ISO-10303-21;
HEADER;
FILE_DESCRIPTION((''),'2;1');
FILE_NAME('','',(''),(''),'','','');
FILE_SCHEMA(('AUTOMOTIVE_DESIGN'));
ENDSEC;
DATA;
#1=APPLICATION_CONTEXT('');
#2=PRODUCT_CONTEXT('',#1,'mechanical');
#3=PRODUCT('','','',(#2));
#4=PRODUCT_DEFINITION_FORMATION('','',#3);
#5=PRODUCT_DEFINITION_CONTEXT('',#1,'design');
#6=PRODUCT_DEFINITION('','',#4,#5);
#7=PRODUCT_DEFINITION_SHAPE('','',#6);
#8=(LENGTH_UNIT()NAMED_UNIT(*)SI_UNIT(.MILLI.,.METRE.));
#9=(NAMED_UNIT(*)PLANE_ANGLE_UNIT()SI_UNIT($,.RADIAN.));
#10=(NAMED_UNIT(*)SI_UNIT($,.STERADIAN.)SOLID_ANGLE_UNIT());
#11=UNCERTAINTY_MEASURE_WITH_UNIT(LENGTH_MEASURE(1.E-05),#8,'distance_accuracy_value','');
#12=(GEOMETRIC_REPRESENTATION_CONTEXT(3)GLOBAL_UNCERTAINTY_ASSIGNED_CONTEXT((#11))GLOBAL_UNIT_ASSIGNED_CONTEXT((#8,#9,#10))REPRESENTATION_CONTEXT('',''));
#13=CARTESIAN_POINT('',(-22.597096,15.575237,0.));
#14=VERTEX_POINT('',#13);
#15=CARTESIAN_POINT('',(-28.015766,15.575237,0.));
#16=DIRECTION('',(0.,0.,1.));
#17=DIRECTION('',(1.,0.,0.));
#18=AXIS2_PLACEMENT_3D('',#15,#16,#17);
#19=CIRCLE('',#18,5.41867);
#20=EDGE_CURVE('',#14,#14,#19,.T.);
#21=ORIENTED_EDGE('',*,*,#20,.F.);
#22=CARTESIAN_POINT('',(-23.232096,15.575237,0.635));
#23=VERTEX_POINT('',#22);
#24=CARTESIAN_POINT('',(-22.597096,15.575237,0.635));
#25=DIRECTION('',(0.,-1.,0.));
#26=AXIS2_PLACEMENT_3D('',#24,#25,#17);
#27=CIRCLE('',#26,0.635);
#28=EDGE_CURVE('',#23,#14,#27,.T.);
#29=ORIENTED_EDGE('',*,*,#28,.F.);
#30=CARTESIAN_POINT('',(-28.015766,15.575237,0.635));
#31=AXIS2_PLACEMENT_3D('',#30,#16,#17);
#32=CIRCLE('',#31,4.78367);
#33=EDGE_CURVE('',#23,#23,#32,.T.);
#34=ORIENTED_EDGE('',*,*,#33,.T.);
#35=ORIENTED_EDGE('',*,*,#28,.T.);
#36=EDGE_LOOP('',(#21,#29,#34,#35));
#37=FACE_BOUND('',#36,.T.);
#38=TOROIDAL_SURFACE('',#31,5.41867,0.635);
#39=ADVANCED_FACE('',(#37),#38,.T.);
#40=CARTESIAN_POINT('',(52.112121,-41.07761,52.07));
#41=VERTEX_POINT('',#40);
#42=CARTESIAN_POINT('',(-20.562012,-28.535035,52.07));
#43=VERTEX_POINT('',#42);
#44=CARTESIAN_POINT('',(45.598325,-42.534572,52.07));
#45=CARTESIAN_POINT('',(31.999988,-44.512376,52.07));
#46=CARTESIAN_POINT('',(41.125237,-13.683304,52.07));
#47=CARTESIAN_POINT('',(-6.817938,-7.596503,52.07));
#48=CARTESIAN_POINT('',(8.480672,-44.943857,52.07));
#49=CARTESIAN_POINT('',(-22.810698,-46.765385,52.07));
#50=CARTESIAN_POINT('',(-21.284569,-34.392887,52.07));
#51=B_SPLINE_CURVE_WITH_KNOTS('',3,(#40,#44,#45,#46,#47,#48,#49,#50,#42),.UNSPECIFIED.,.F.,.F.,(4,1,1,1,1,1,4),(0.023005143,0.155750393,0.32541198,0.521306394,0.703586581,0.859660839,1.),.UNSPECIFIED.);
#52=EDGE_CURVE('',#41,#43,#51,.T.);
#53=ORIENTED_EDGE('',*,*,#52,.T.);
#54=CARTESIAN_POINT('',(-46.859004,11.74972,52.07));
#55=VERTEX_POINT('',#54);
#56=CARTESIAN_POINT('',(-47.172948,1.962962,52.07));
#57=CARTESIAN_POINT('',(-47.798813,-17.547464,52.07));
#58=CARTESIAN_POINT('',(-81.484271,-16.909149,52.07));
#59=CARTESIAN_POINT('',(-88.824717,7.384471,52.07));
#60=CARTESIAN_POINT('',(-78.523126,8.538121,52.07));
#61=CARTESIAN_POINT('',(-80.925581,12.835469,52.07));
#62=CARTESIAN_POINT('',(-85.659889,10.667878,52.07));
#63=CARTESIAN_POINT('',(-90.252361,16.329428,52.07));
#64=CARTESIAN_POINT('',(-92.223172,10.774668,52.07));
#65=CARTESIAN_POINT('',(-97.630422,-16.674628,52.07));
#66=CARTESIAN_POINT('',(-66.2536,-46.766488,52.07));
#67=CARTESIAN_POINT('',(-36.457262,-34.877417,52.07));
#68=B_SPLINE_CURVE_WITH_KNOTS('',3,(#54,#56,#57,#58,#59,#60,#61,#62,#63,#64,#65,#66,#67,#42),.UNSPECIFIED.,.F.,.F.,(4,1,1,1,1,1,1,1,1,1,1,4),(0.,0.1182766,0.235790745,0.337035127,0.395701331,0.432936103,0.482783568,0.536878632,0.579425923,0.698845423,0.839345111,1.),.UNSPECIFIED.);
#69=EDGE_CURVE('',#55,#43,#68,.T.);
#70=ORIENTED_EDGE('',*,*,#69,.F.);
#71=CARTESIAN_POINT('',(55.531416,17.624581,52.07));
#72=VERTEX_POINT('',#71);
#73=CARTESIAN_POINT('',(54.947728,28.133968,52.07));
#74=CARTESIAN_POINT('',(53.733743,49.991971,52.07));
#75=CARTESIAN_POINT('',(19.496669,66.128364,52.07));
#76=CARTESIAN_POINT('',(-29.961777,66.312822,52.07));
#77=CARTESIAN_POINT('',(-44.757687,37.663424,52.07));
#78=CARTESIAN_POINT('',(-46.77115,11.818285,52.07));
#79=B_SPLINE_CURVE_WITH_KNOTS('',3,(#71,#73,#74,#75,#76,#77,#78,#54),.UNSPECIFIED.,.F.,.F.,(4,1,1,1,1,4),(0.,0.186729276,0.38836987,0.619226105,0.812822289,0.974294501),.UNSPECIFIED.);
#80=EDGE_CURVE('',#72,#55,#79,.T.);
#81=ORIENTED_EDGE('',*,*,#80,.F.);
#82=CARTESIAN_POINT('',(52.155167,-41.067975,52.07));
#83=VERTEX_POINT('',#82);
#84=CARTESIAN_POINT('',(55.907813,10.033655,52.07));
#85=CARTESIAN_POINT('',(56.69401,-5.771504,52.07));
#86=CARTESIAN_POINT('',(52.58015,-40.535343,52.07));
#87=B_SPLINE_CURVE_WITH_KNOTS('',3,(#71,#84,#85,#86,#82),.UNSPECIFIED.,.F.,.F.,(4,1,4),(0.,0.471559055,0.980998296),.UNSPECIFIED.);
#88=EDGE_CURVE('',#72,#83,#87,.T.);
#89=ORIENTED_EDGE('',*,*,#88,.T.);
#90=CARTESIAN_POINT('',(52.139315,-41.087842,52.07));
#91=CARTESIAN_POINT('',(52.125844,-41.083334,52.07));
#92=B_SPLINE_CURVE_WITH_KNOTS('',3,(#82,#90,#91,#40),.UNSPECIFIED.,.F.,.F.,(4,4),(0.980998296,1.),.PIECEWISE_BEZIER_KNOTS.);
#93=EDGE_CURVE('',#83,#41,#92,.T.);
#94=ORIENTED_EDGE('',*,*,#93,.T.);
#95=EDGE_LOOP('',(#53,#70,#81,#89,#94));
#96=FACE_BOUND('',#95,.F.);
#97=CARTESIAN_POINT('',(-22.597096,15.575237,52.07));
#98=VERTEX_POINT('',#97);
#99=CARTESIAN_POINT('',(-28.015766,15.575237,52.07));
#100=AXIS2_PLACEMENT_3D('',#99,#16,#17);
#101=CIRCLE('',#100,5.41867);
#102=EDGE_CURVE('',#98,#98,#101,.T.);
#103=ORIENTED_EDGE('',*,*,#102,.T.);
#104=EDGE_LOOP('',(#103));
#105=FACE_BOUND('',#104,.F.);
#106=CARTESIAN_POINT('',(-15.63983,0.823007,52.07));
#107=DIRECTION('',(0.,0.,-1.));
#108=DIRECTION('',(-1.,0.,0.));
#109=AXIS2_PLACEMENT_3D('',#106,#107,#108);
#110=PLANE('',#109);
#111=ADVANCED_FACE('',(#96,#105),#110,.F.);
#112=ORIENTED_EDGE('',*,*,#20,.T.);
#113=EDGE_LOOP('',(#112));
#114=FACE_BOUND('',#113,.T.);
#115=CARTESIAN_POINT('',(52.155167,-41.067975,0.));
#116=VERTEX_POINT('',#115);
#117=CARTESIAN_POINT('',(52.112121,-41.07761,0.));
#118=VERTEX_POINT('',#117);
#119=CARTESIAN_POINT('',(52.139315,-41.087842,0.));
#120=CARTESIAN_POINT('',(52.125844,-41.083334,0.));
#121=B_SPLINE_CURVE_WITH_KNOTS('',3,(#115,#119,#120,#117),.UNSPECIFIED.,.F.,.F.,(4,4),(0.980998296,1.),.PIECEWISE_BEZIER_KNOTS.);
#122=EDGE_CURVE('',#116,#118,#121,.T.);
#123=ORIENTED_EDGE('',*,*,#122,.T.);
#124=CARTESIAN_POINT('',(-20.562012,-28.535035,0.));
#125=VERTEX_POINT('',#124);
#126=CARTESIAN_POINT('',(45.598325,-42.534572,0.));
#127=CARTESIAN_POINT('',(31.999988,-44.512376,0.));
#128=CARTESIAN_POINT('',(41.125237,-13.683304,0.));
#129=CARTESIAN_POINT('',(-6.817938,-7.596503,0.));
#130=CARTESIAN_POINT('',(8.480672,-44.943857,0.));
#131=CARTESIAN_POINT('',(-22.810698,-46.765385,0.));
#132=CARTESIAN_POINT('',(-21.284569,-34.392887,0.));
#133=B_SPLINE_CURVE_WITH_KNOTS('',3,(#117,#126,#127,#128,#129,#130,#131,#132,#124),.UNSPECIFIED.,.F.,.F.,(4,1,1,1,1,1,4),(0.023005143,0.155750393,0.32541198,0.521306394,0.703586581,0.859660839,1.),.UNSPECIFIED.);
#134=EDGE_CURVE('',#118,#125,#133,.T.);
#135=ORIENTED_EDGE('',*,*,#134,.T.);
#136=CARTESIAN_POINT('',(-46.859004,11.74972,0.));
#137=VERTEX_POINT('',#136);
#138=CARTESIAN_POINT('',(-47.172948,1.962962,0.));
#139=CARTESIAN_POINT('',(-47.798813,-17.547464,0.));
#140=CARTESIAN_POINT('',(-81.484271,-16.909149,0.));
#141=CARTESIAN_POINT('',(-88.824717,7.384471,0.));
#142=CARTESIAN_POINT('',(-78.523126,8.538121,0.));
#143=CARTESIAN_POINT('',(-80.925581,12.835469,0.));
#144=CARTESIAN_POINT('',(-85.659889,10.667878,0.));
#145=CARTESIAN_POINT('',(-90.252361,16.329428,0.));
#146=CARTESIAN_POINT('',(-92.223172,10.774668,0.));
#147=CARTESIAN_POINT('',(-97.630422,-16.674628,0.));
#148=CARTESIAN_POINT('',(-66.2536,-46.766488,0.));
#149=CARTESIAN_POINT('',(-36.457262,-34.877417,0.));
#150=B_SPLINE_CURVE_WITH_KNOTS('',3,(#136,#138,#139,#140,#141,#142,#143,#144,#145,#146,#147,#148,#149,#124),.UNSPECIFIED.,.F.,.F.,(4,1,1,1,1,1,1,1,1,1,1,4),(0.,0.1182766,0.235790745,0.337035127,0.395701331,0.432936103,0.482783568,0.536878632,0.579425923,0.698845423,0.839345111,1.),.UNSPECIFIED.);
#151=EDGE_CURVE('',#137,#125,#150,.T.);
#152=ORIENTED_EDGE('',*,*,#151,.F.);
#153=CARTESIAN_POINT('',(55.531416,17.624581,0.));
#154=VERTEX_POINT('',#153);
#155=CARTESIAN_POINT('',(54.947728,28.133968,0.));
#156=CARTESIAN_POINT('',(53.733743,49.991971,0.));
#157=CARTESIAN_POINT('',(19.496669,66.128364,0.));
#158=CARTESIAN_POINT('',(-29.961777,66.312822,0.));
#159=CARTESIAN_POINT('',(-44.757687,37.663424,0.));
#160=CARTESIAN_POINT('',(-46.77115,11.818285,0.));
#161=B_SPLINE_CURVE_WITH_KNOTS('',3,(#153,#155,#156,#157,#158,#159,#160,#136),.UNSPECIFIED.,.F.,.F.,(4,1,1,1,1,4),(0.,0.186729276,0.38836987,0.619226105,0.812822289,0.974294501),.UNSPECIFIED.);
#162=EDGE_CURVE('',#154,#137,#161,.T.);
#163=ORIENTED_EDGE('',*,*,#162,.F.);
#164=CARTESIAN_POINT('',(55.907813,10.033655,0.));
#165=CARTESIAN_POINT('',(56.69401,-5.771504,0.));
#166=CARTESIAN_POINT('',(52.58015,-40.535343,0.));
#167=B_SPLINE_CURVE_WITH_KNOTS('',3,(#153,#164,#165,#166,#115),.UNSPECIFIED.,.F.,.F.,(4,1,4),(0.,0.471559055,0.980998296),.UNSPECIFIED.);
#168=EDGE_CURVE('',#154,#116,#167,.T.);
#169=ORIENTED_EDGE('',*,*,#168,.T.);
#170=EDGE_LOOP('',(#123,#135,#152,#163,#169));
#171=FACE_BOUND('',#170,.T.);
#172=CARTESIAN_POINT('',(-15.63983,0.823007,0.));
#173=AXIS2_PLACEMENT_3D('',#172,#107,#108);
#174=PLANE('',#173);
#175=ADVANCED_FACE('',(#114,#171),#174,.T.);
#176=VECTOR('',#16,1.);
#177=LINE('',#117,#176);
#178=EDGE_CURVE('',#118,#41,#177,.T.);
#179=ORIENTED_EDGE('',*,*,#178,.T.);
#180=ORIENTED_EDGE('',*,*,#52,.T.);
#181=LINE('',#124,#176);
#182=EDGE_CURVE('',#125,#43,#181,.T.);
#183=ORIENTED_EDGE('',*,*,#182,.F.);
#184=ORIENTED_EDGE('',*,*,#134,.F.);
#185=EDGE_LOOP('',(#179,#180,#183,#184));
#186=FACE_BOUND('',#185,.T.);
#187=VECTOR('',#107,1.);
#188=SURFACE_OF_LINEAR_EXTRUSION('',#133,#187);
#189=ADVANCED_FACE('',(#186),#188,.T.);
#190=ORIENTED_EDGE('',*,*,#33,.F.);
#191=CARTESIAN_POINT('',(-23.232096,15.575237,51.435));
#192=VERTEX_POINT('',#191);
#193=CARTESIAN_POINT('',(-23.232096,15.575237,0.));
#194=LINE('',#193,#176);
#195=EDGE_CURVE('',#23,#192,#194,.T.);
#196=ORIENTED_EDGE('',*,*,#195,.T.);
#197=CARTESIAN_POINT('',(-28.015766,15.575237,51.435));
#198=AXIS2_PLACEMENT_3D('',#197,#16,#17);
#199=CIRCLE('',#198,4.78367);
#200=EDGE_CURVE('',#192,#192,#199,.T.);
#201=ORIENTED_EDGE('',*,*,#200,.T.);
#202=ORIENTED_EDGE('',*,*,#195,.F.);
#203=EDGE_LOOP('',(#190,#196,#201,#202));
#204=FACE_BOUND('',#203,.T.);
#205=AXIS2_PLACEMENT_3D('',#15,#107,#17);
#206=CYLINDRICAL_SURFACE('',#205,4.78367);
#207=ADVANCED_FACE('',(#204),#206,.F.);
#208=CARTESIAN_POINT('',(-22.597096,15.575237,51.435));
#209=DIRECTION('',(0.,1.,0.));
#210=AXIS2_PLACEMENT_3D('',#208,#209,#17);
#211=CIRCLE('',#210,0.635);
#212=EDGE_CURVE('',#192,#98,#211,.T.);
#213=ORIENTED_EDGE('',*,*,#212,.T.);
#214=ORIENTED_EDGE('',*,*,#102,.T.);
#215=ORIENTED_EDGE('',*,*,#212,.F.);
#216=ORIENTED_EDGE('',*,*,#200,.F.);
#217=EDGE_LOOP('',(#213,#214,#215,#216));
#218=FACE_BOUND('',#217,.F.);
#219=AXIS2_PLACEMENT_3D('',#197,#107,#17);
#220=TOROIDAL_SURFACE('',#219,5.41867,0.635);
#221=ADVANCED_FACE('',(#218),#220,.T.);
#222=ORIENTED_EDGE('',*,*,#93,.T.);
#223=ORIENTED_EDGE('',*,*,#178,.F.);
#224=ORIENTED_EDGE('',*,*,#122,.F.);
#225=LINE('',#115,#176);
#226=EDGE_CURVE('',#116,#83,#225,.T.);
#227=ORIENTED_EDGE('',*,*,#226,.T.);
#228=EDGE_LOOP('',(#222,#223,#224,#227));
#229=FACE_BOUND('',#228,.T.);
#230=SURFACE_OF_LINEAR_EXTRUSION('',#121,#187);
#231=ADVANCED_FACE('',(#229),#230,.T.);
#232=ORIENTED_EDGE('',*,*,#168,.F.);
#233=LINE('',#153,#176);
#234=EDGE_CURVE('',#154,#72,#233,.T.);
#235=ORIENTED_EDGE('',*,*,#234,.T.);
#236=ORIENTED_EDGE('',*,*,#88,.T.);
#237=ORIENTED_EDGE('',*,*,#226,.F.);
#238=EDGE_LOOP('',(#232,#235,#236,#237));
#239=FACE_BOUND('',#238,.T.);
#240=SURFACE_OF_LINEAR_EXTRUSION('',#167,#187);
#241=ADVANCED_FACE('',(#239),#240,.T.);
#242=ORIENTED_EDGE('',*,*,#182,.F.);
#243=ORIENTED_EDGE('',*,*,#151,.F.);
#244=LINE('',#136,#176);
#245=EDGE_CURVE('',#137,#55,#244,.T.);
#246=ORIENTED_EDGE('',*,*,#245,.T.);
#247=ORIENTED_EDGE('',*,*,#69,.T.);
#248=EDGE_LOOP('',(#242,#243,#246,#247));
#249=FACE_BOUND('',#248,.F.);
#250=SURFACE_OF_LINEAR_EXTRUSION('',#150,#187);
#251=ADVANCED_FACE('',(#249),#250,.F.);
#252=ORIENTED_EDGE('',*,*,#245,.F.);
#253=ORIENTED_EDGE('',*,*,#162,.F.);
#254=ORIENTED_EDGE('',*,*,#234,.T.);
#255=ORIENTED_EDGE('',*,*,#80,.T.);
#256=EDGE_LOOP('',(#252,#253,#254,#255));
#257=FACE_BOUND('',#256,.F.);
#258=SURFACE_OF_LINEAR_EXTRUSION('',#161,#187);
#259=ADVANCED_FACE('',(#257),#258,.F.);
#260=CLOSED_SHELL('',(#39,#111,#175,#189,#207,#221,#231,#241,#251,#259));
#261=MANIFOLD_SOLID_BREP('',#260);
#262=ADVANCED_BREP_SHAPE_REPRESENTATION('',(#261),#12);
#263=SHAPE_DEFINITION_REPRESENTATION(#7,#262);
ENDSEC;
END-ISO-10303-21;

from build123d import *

# Parameters (mm, degrees)
F0_R     = 4.7836700686
F1_DEPTH = 52.07
F2_R     = 0.635
F3_R     = 0.635


with BuildPart() as f1:
    # F0 (on Top) → F1 (new body)
    with BuildSketch(Plane.XY):
        with BuildLine():
            add(Edge.make_bspline(
                [(55.5314160883, 17.6245812327), (55.9078130476, 10.0336554724), (56.6940095504, -5.7715039223), (52.5801501701, -40.5353430605), (52.1551666591, -41.0679753225)],
                knots=[0, 0, 0, 0, 0.4715590555, 0.9809982964, 0.9809982964, 0.9809982964, 0.9809982964], degree=3))
            add(Edge.make_bspline(
                [(55.5314160883, 17.6245812327), (54.9477284591, 28.1339677429), (53.7337426594, 49.9919708037), (19.4966685182, 66.1283638755), (-29.9617766147, 66.3128223316), (-44.7576870916, 37.6634235774), (-46.7711498532, 11.8182849665), (-46.8590036035, 11.7497202009)],
                knots=[0, 0, 0, 0, 0.1867292755, 0.3883698702, 0.6192261051, 0.8128222893, 0.974294501, 0.974294501, 0.974294501, 0.974294501], degree=3))
            add(Edge.make_bspline(
                [(-46.8590036035, 11.7497202009), (-47.1729478823, 1.9629623616), (-47.798812637, -17.547464195), (-81.4842709103, -16.9091492647), (-88.8247165756, 7.384471492), (-78.5231258775, 8.5381210792), (-80.9255810319, 12.8354692773), (-85.6598891434, 10.6678776085), (-90.2523606103, 16.3294284168), (-92.2231724122, 10.7746682569), (-97.6304222788, -16.6746275048), (-66.2535996301, -46.7664882941), (-36.4572618613, -34.8774167991), (-20.5620117486, -28.5350345075)],
                knots=[0, 0, 0, 0, 0.1182766002, 0.235790745, 0.337035127, 0.3957013314, 0.4329361028, 0.4827835682, 0.5368786318, 0.5794259235, 0.6988454229, 0.8393451114, 1, 1, 1, 1], degree=3))
            add(Edge.make_bspline(
                [(52.1121208303, -41.0776102846), (45.5983246739, -42.5345715496), (31.9999877307, -44.5123760385), (41.1252367972, -13.6833039156), (-6.8179379185, -7.5965032239), (8.480672493, -44.9438569372), (-22.8106975933, -46.7653852115), (-21.284568866, -34.3928868555), (-20.5620117486, -28.5350345075)],
                knots=[0.0230051426, 0.0230051426, 0.0230051426, 0.0230051426, 0.1557503933, 0.3254119803, 0.5213063937, 0.7035865815, 0.8596608389, 1, 1, 1, 1], degree=3))
            add(Edge.make_bspline(
                [(52.1551666591, -41.0679753225), (52.1408154301, -41.0711898083), (52.1264668093, -41.0744014744), (52.1121208303, -41.0776102846)],
                knots=[0.0227127845, 0.0227127845, 0.0227127845, 0.0227127845, 0.0230051426, 0.0230051426, 0.0230051426, 0.0230051426], degree=3))
        make_face()
        with Locations((-28.0157662928, 15.5752366409)):
            Circle(F0_R, mode=Mode.SUBTRACT)
        with BuildLine():
            add(Edge.make_bspline(
                [(52.1551666591, -41.0679753225), (52.1393150912, -41.0878421085), (52.1258444433, -41.0833338131), (52.1121208303, -41.0776102846)],
                knots=[0.9809982964, 0.9809982964, 0.9809982964, 0.9809982964, 1, 1, 1, 1], degree=3))
            add(Edge.make_bspline(
                [(52.1551666591, -41.0679753225), (52.1408154301, -41.0711898083), (52.1264668093, -41.0744014744), (52.1121208303, -41.0776102846)],
                knots=[0.0227127845, 0.0227127845, 0.0227127845, 0.0227127845, 0.0230051426, 0.0230051426, 0.0230051426, 0.0230051426], degree=3))
        make_face()
    extrude(amount=F1_DEPTH)

    # F2
    f2_edges = [f1.edges().sort_by_distance(p)[0] for p in [
        (-32.799436, 15.575237, 52.07),
    ]]
    fillet(f2_edges, radius=F2_R)

    # F3
    f3_edges = [f1.edges().sort_by_distance(p)[0] for p in [
        (-32.799436, 15.575237, 0),
    ]]
    fillet(f3_edges, radius=F3_R)


solid = f1.part
